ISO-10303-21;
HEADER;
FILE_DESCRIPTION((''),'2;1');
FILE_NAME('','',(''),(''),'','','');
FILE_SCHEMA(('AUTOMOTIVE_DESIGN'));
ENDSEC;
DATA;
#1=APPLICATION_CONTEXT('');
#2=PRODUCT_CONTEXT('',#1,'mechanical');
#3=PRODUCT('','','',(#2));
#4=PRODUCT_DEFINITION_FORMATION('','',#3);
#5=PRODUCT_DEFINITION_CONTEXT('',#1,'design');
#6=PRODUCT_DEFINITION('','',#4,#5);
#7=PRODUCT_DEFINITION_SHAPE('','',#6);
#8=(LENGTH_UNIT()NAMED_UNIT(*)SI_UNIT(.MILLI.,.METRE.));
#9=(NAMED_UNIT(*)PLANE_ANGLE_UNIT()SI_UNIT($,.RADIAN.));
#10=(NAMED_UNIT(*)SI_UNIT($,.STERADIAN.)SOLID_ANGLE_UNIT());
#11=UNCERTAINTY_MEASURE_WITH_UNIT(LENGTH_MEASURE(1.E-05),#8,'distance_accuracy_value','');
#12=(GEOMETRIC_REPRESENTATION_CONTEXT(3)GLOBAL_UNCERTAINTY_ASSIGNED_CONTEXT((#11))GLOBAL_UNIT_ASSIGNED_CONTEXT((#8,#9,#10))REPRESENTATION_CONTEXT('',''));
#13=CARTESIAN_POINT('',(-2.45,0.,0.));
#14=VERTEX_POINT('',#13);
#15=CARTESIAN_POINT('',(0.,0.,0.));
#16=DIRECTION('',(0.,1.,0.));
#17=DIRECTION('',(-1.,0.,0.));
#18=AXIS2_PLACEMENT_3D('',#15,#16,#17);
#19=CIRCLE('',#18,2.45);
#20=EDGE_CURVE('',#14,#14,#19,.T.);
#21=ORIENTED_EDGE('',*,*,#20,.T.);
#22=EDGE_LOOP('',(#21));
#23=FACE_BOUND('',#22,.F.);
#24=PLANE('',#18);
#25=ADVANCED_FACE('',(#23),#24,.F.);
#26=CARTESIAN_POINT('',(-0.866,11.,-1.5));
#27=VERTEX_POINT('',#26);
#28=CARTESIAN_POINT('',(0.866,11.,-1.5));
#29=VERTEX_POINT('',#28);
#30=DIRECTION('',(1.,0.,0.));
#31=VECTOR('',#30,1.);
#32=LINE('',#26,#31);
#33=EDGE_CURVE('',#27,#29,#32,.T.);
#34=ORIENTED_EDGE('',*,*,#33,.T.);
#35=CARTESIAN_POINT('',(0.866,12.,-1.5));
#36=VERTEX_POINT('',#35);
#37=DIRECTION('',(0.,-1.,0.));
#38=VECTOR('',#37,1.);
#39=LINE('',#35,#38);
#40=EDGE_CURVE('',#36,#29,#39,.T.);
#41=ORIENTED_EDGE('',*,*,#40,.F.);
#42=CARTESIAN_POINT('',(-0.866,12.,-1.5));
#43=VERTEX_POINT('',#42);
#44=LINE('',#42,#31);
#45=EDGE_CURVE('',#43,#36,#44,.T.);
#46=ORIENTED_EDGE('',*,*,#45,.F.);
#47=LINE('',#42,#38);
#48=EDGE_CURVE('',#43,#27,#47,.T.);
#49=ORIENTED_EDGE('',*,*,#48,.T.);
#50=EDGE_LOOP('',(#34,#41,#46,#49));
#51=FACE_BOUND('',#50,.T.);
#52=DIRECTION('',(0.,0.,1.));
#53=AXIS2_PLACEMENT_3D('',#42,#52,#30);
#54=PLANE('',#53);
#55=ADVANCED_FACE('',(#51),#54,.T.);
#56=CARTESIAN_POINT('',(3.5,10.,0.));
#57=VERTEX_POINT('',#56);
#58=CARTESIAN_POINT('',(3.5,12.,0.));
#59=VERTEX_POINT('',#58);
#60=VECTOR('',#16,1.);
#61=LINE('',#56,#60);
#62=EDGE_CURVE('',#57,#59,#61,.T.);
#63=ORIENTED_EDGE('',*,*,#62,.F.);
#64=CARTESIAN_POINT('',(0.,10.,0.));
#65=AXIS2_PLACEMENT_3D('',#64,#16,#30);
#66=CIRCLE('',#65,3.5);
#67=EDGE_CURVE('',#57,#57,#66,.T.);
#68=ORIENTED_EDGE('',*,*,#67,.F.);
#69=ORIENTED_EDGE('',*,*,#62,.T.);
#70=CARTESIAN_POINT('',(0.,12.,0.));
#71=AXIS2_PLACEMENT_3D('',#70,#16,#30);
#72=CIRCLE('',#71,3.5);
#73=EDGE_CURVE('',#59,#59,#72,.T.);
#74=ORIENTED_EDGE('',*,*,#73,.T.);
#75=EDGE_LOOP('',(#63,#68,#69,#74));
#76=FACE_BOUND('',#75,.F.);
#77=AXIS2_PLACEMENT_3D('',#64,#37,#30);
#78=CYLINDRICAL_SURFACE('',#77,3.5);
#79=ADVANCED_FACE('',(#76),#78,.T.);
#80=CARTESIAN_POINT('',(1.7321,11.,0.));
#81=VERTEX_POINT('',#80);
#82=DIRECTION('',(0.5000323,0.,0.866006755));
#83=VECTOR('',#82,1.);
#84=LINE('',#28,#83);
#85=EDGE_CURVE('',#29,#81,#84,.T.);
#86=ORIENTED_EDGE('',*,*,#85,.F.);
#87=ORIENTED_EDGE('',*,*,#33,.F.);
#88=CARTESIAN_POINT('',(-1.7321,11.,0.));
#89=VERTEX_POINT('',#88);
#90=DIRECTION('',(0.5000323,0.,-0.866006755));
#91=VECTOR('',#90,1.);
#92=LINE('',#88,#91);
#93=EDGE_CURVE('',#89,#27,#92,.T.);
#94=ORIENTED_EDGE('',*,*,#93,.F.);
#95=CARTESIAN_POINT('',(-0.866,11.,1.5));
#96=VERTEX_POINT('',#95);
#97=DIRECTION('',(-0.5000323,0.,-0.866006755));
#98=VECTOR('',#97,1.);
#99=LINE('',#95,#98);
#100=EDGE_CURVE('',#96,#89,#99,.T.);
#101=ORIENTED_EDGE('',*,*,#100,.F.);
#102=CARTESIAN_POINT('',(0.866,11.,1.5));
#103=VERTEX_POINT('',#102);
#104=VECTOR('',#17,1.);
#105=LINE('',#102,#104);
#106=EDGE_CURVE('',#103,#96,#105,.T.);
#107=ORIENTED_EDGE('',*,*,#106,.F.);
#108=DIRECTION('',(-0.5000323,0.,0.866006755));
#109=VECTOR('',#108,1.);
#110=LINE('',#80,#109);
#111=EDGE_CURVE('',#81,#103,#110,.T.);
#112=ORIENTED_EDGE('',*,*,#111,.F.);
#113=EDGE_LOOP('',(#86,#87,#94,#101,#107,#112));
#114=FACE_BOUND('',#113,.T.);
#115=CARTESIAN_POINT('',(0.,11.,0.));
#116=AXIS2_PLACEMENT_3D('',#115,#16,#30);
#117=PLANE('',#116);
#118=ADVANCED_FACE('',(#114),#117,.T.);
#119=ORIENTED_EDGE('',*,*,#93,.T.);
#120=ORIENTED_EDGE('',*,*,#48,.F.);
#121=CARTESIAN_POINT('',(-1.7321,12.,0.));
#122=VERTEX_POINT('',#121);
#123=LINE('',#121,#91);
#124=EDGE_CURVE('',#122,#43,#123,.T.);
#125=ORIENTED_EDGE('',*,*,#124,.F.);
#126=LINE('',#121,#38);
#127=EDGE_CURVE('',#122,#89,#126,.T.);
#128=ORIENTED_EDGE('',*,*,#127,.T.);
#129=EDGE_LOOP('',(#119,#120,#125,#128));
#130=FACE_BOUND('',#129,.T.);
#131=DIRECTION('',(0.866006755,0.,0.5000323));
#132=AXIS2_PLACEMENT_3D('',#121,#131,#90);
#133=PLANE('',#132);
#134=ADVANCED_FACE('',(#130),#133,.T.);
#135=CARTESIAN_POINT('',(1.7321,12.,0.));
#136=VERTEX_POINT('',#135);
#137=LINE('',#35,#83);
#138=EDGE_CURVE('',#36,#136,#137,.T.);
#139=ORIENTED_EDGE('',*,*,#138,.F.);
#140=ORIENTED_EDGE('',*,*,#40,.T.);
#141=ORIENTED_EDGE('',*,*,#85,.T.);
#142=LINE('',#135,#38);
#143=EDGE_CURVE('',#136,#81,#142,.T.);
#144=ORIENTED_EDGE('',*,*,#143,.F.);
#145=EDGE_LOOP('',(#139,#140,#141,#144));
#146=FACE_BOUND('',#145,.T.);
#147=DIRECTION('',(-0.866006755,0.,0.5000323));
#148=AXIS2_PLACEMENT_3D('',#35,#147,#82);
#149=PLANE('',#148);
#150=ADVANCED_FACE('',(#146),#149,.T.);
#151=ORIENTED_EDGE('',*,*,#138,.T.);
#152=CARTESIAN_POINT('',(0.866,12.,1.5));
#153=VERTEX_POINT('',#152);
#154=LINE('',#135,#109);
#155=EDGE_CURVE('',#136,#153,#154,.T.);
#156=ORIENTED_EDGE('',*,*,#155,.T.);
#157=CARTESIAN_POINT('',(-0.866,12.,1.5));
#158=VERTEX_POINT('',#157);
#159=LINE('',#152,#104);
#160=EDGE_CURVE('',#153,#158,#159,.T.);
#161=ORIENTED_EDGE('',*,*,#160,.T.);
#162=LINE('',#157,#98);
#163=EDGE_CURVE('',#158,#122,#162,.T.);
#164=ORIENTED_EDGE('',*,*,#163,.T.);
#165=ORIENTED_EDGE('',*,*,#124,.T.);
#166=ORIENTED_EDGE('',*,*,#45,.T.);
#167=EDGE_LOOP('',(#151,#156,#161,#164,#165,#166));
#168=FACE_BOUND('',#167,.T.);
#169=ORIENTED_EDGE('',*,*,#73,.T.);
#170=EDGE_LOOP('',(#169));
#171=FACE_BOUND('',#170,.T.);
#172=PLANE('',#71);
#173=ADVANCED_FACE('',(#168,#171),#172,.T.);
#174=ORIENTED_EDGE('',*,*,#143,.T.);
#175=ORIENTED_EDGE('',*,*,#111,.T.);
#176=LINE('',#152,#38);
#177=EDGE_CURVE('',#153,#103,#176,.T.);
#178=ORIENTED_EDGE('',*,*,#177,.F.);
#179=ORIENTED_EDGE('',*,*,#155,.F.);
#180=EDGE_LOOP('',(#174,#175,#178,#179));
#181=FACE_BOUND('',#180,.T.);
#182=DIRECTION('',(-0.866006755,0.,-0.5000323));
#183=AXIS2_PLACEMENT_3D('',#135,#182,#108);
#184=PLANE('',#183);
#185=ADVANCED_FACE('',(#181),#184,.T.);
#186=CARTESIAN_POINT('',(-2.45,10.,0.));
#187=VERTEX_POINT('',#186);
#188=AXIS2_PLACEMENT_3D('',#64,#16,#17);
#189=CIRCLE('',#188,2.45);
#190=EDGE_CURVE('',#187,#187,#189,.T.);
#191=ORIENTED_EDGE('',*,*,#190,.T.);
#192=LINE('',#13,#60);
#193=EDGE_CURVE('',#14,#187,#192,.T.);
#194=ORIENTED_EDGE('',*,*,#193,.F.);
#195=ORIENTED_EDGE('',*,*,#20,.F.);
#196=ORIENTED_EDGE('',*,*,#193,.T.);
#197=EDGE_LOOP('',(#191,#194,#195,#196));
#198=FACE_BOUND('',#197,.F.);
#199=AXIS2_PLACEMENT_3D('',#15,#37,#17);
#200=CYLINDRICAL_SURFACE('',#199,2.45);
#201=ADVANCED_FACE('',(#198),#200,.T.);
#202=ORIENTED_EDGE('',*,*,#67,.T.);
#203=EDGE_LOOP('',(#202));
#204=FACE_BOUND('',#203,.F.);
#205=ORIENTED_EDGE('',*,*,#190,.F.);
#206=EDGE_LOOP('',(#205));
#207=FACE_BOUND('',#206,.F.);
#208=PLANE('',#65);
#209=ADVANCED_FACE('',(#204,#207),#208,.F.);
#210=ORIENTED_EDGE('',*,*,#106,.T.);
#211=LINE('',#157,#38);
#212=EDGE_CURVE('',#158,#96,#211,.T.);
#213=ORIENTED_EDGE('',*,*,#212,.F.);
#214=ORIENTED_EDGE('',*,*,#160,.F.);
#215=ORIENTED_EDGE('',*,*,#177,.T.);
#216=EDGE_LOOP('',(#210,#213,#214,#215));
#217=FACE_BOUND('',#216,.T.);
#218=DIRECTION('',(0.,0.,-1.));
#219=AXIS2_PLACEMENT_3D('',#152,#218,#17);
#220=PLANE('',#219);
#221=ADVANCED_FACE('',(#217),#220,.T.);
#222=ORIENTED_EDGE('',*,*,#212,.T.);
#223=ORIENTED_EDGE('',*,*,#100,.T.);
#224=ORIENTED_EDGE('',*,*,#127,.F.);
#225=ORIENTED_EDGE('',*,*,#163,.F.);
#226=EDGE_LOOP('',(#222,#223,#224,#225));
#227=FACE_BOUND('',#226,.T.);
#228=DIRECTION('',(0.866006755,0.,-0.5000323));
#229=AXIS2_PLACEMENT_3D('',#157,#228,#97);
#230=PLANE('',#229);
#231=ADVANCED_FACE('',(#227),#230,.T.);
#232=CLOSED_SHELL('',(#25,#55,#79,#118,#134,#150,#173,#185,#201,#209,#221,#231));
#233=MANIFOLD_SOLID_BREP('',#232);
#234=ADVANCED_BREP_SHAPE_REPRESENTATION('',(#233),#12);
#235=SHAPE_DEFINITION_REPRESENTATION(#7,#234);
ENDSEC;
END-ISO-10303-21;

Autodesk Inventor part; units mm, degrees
ref_plane "YZ Plane" through (0, 0, 0) normal (1, 0, 0) x (0, 1, 0)
ref_plane "XZ Plane" through (0, 0, 0) normal (0, 1, 0) x (-1, 0, 0)
ref_plane "XY Plane" through (0, 0, 0) normal (0, 0, 1) x (1, 0, 0)
sketch "Sketch1" plane through (0, 0, 0) normal (0, 1, 0) x (-1, 0, 0)
  circle A0 centre (0, 0) radius 2.45
  dimension "d0" = 4.9
extrude "Extrusion1" add sketch "Sketch1" along normal blind 10
sketch "Sketch2" plane through (0, 10, 0) normal (0, 1, 0) x (1, 0, 0)
  circle A0 centre (0, 0) radius 3.5
  dimension "d3" = 7
extrude "Extrusion2" add sketch "Sketch2" along normal blind 2
thread "Thread1" size "M5x0.8" class "6g" standard "ANSI Metric M Profile" full length
sketch "Sketch3" plane through (0, 12, 0) normal (0, 1, 0) x (1, 0, 0)
  line L0 (0.866, 1.5) -> (1.7321, 0)
  line L1 (1.7321, 0) -> (0.866, -1.5)
  line L2 (0.866, -1.5) -> (-0.866, -1.5)
  line L3 (-0.866, -1.5) -> (-1.7321, 0)
  line L4 (-1.7321, 0) -> (-0.866, 1.5)
  line L5 (-0.866, 1.5) -> (0.866, 1.5)
  point P0 (0, 0)
  point P1 (0, 0)
  dimension "d8" = 3
extrude "Extrusion3" cut sketch "Sketch3" against normal blind 1
equation "\"BendRadius\" = Thickness"
equation "\"BendReliefWidth\" = Thickness"
equation "\"BendReliefDepth\" = 0.5 * Thickness"
equation "\"CornerReliefSize\" = 4 * Thickness"
equation "\"MinimumRemnant\" = 2 * Thickness"
equation "\"TransitionRadius\" = BendRadius"
equation "\"JacobiRadiusSize\" = BendRadius"
equation "\"GapSize\" = Thickness"
equation "\"Thickness\" = 0.5"
properties part number "perno_simple"
